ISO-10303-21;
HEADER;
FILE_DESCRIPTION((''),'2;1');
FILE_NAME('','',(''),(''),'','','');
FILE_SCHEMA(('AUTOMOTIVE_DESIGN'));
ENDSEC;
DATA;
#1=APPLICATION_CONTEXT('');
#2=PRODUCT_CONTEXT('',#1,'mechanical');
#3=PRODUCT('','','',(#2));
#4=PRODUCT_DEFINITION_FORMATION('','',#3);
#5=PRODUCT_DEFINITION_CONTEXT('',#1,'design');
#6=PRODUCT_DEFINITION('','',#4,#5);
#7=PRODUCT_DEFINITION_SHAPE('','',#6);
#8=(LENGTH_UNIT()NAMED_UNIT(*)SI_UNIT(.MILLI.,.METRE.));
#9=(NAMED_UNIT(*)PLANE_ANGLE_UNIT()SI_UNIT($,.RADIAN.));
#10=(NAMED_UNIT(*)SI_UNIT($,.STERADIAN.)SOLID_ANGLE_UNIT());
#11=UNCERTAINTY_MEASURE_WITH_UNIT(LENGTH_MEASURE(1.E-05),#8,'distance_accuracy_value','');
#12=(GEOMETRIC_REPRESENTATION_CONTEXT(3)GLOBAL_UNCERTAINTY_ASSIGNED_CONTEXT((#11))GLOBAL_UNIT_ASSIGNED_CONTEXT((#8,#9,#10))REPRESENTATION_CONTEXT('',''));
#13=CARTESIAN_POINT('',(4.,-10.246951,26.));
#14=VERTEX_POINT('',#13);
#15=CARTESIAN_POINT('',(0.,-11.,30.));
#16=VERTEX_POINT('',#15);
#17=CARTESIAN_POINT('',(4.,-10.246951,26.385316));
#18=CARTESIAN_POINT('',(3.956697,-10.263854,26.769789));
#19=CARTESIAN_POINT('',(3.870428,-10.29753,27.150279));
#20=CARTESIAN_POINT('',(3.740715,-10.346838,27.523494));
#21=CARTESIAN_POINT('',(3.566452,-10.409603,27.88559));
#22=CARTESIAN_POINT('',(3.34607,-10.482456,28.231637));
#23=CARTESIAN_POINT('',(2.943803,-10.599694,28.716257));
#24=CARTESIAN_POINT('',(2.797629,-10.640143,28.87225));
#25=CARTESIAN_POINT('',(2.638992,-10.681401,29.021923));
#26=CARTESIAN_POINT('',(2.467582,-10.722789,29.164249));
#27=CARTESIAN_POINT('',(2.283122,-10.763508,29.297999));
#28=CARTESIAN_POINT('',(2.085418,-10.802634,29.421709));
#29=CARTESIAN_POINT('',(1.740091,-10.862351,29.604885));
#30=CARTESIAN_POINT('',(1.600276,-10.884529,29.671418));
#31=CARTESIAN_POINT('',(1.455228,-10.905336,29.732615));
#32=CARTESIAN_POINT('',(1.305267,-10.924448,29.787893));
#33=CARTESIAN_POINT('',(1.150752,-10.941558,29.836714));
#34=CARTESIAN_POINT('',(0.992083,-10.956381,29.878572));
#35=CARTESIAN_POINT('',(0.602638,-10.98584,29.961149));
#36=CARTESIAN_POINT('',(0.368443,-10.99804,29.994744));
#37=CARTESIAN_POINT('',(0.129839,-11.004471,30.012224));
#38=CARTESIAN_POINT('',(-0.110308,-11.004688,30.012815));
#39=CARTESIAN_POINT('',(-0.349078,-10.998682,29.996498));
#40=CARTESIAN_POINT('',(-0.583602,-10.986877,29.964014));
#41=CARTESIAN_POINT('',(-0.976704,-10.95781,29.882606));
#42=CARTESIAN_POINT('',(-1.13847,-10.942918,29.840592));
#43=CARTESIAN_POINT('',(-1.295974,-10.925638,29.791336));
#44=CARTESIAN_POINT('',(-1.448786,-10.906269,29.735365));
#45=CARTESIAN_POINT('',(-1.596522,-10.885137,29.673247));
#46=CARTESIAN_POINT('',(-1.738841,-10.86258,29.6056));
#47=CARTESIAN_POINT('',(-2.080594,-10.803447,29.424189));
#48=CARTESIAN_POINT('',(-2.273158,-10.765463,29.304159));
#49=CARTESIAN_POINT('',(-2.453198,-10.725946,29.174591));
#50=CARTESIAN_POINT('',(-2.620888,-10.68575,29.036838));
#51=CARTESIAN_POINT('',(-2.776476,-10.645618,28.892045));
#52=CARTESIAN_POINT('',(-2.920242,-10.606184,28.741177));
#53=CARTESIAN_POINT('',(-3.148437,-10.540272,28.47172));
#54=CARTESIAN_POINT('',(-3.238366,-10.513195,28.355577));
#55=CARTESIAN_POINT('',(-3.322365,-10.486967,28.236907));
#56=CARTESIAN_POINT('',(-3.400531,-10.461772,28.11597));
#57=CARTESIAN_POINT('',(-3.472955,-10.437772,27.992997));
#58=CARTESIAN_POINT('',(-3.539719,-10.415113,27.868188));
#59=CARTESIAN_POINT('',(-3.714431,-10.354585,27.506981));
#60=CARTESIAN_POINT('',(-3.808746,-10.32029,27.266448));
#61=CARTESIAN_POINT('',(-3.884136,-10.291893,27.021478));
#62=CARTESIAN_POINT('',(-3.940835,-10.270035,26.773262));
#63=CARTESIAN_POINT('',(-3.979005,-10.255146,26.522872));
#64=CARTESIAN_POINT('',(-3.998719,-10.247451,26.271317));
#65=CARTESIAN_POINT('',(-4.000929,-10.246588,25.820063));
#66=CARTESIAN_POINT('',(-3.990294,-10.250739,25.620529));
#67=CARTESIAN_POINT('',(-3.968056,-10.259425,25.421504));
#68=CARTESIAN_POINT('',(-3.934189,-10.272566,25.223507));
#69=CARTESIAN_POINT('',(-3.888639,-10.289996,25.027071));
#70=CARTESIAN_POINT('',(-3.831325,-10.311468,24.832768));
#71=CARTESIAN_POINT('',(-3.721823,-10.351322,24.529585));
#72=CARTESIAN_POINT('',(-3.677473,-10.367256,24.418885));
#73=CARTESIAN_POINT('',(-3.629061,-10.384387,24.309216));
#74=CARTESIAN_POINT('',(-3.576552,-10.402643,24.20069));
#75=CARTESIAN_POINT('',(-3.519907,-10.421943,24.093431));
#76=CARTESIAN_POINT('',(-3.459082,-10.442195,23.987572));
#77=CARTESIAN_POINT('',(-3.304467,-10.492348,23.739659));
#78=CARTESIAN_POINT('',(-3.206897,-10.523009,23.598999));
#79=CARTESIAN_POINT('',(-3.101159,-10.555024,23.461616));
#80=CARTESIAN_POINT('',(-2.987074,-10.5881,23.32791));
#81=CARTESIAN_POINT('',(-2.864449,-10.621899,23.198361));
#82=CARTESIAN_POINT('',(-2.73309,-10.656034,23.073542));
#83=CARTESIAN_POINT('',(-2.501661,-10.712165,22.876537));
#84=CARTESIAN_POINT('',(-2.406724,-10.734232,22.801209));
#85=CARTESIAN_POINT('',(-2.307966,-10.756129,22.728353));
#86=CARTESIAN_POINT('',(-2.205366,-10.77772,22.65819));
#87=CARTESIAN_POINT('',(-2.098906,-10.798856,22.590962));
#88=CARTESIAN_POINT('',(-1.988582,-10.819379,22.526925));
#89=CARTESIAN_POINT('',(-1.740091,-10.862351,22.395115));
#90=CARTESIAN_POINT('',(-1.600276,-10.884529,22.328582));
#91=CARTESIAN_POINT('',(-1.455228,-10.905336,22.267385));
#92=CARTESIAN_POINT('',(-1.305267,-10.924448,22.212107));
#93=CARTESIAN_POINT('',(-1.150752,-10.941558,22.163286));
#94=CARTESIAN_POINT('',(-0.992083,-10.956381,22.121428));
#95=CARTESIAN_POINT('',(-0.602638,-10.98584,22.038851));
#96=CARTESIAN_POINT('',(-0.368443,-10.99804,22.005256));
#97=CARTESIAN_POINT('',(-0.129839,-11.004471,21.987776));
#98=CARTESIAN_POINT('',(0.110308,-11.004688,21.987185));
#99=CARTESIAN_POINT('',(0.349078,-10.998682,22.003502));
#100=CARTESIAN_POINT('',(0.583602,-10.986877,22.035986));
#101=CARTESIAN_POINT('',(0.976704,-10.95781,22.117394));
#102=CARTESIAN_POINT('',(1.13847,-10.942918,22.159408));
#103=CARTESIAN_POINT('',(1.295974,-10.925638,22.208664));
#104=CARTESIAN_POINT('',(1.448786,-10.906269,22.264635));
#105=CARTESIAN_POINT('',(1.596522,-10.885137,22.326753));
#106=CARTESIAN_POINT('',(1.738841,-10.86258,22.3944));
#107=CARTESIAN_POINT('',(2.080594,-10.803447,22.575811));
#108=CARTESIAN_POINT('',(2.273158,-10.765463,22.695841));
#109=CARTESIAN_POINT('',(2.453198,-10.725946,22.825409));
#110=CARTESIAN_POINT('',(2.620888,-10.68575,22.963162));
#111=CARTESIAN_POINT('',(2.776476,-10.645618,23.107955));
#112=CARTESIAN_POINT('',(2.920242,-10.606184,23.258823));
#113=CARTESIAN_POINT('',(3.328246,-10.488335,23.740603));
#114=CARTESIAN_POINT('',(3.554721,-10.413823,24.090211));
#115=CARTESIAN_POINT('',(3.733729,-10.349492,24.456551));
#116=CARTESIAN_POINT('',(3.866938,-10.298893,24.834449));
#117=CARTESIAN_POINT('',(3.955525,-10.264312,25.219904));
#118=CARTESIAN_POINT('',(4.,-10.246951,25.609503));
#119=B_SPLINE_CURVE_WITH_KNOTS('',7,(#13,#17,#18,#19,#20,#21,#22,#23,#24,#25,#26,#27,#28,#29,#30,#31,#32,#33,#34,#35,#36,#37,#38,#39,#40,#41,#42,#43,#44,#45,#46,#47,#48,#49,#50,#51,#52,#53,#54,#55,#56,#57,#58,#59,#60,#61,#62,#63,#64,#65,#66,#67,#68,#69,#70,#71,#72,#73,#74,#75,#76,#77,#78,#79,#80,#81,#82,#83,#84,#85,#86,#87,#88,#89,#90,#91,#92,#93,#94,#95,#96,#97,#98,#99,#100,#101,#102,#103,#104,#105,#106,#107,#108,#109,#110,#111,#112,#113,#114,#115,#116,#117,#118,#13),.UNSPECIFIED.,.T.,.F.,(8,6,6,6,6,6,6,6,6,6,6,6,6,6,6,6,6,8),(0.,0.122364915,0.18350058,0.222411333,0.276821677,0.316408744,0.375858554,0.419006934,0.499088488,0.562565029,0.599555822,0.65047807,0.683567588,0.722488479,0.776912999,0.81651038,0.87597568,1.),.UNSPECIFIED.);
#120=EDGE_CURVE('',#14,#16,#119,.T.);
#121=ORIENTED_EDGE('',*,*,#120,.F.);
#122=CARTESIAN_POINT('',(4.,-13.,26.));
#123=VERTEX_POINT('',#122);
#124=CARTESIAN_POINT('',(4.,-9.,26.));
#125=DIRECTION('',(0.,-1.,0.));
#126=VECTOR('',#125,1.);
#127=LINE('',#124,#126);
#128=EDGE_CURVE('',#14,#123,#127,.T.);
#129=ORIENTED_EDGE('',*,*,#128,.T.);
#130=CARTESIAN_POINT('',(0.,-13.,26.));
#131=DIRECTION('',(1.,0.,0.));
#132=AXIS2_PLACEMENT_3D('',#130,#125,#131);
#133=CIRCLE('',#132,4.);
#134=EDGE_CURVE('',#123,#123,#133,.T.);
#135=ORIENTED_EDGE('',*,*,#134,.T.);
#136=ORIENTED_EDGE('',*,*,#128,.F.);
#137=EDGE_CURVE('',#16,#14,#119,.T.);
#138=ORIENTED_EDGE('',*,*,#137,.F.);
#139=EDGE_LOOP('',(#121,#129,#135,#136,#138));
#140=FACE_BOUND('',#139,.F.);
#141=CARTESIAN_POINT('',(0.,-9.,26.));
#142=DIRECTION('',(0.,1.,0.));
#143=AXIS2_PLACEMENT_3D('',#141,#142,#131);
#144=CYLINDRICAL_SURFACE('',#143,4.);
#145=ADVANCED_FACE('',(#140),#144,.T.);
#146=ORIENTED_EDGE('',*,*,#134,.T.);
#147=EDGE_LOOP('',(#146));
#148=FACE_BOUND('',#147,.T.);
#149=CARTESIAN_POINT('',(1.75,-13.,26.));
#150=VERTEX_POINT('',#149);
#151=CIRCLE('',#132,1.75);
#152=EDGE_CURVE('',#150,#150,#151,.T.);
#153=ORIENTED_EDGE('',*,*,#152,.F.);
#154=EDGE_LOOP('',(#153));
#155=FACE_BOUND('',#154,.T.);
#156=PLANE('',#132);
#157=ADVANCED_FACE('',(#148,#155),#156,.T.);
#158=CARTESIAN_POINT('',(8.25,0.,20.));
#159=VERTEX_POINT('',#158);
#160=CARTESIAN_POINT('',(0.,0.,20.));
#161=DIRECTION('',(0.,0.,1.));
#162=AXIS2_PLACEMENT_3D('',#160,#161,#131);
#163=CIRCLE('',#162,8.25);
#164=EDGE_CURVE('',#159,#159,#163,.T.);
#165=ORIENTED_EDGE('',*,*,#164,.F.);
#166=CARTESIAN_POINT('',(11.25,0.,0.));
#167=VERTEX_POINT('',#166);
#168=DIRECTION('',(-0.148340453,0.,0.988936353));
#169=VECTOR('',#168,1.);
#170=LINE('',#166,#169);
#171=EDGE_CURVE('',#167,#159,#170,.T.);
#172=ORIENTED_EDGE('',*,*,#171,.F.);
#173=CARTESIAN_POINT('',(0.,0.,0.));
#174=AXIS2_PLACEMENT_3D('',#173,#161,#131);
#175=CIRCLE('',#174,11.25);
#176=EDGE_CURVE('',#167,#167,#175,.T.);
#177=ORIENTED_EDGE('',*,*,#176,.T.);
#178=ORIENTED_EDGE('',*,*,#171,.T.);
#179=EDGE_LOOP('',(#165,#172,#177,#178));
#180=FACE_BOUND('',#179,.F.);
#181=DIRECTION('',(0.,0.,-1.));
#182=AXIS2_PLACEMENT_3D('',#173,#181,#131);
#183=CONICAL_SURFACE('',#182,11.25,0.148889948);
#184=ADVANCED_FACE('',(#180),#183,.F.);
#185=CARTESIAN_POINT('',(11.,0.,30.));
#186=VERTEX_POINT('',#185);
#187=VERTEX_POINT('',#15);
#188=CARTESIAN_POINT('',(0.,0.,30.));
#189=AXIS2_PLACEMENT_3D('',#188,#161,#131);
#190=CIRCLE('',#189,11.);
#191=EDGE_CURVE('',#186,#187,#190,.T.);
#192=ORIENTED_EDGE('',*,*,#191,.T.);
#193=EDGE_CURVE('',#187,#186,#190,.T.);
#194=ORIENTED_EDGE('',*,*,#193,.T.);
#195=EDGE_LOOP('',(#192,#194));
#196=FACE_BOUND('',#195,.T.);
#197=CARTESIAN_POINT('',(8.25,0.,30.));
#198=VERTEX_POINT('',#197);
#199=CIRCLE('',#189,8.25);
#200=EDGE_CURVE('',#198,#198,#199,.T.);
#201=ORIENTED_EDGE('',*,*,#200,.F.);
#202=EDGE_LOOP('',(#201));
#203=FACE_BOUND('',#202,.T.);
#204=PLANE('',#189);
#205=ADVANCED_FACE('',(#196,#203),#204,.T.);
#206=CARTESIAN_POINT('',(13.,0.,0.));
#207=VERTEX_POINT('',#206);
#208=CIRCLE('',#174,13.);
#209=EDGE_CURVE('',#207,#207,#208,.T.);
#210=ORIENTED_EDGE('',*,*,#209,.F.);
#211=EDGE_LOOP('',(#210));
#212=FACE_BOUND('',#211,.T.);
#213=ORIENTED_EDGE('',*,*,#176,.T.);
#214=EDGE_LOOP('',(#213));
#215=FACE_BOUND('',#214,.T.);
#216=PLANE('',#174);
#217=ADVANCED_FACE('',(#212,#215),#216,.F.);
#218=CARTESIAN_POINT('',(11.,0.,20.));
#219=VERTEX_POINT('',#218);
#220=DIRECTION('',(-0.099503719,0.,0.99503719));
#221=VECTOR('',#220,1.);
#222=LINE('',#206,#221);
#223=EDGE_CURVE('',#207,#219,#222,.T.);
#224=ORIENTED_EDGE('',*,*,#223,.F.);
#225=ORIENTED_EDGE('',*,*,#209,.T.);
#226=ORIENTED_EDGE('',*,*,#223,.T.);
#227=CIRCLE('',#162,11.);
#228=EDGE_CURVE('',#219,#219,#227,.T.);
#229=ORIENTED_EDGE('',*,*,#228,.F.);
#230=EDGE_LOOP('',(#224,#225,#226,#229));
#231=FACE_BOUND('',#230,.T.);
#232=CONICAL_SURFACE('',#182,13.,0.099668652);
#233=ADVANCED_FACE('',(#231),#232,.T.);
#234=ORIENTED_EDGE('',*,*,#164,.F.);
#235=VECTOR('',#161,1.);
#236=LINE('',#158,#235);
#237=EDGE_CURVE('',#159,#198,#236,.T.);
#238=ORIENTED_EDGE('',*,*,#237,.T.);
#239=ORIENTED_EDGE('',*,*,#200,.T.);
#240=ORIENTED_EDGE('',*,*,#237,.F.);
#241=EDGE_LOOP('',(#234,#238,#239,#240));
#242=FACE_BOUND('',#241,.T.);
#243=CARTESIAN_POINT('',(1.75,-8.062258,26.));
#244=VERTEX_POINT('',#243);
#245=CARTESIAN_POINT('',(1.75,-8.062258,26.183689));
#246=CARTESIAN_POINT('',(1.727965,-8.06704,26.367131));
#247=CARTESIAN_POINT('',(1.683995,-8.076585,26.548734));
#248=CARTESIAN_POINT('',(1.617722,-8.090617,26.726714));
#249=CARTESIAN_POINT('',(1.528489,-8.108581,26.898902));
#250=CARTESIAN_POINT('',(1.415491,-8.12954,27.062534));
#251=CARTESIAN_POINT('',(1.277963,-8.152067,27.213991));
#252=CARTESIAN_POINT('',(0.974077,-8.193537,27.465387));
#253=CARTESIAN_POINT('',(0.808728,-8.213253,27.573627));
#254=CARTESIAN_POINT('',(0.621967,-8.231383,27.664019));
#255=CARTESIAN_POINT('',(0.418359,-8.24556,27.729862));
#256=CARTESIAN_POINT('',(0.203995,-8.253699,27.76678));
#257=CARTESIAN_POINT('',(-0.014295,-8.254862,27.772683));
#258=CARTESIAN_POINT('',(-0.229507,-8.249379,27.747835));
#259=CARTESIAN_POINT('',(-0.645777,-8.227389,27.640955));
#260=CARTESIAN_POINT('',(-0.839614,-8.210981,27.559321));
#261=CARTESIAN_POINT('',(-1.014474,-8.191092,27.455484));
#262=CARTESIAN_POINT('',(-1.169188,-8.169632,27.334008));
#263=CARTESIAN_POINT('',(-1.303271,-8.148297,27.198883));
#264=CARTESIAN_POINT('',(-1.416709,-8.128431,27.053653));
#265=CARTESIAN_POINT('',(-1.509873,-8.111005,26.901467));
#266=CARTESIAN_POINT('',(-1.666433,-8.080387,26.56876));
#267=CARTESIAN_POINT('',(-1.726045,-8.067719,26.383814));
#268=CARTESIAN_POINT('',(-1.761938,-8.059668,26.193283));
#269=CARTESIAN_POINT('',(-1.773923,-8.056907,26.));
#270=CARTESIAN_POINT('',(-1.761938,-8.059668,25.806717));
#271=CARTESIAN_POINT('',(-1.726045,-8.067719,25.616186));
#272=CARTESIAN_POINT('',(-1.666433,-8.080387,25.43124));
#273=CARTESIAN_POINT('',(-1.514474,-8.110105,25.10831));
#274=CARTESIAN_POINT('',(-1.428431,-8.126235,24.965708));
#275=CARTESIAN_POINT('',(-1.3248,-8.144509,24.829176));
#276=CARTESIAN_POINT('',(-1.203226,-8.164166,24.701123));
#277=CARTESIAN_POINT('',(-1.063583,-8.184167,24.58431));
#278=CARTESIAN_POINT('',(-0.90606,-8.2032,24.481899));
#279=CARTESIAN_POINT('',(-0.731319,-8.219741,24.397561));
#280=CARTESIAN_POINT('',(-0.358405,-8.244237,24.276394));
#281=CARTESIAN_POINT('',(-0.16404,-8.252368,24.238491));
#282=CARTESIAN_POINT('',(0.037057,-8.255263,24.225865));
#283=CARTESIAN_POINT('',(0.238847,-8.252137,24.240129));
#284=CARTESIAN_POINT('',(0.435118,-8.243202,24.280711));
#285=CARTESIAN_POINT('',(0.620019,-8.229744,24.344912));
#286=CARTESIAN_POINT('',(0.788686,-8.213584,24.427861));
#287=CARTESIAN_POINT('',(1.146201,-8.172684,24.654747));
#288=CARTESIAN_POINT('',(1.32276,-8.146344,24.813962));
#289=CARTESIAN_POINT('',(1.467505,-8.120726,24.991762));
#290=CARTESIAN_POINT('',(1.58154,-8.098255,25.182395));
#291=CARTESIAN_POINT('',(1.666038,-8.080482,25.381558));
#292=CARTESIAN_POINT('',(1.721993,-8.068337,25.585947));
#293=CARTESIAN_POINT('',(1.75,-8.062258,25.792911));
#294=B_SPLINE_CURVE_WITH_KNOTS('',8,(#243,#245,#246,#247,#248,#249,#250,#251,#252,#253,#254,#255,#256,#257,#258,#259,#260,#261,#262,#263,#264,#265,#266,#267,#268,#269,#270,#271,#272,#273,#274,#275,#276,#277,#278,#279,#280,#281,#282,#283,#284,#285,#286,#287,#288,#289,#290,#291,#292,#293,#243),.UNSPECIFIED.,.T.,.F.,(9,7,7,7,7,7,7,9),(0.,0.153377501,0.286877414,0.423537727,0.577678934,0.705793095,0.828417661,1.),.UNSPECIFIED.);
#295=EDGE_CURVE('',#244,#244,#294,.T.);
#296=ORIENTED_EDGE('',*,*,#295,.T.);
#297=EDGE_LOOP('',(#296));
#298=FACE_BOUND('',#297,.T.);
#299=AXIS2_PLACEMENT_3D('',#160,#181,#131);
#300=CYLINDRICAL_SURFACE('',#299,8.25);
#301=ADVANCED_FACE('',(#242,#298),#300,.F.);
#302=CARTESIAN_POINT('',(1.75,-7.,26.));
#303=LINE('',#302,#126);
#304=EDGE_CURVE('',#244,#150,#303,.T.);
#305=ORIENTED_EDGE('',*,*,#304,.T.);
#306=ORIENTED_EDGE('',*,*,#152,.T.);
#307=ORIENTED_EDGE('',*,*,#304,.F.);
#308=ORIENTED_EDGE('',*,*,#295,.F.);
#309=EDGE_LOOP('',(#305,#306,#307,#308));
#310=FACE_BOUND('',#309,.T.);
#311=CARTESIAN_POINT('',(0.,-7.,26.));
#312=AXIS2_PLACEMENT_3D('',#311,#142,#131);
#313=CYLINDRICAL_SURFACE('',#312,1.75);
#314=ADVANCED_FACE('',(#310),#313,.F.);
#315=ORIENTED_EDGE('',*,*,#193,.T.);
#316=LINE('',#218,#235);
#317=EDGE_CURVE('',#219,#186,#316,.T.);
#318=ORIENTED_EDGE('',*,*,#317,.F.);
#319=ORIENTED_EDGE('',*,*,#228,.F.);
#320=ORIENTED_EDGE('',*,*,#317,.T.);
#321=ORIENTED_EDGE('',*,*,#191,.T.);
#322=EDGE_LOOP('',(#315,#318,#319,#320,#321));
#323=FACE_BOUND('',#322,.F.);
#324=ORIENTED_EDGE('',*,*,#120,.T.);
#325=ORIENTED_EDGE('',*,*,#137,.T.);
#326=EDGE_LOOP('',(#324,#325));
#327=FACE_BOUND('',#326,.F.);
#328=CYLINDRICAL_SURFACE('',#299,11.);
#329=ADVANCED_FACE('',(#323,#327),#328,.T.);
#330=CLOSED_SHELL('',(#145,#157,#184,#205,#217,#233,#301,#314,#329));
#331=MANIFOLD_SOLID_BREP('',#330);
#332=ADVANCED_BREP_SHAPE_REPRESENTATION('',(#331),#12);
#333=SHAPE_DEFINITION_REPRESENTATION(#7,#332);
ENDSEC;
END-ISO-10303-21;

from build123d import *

# Parameters (mm, degrees)
CYLINDER035_R     = 11
CYLINDER035_DEPTH = 10
CYLINDER036_R     = 8.25
CYLINDER036_DEPTH = 10
CYLINDER058_R     = 4
CYLINDER058_DEPTH = 4
CYLINDER059_R     = 1.75
CYLINDER059_DEPTH = 6


with BuildPart() as part:
    # Cone001 → Cone001 (revolve)
    with BuildSketch(Plane.XZ):
        Polygon((0, 0), (13, 0), (11, 20), (0, 20), align=None)
    revolve(axis=Axis((0, 0, 0), (0, 0, 1)))

    # Cone002 → Cone002 (revolve, cut)
    with BuildSketch(Plane.XZ):
        Polygon((0, 0), (11.25, 0), (8.25, 20), (0, 20), align=None)
    revolve(axis=Axis((0, 0, 0), (0, 0, 1)), mode=Mode.SUBTRACT)

    # Cylinder035 → Cylinder035 (join)
    with BuildSketch(Plane.XY.offset(20)):
        Circle(CYLINDER035_R)
    extrude(amount=CYLINDER035_DEPTH)

    # Cylinder036 → Cylinder036 (cut)
    with BuildSketch(Plane.XY.offset(20)):
        Circle(CYLINDER036_R)
    extrude(amount=CYLINDER036_DEPTH, mode=Mode.SUBTRACT)

    # Cylinder058 → Cylinder058 (join)
    with BuildSketch(Plane(origin=(0, -9, 26), x_dir=(1, 0, 0), z_dir=(0, -1, 0))):
        Circle(CYLINDER058_R)
    extrude(amount=CYLINDER058_DEPTH)

    # Cylinder059 → Cylinder059 (cut)
    with BuildSketch(Plane(origin=(0, -7, 26), x_dir=(1, 0, 0), z_dir=(0, -1, 0))):
        Circle(CYLINDER059_R)
    extrude(amount=CYLINDER059_DEPTH, mode=Mode.SUBTRACT)


solid = part.part
